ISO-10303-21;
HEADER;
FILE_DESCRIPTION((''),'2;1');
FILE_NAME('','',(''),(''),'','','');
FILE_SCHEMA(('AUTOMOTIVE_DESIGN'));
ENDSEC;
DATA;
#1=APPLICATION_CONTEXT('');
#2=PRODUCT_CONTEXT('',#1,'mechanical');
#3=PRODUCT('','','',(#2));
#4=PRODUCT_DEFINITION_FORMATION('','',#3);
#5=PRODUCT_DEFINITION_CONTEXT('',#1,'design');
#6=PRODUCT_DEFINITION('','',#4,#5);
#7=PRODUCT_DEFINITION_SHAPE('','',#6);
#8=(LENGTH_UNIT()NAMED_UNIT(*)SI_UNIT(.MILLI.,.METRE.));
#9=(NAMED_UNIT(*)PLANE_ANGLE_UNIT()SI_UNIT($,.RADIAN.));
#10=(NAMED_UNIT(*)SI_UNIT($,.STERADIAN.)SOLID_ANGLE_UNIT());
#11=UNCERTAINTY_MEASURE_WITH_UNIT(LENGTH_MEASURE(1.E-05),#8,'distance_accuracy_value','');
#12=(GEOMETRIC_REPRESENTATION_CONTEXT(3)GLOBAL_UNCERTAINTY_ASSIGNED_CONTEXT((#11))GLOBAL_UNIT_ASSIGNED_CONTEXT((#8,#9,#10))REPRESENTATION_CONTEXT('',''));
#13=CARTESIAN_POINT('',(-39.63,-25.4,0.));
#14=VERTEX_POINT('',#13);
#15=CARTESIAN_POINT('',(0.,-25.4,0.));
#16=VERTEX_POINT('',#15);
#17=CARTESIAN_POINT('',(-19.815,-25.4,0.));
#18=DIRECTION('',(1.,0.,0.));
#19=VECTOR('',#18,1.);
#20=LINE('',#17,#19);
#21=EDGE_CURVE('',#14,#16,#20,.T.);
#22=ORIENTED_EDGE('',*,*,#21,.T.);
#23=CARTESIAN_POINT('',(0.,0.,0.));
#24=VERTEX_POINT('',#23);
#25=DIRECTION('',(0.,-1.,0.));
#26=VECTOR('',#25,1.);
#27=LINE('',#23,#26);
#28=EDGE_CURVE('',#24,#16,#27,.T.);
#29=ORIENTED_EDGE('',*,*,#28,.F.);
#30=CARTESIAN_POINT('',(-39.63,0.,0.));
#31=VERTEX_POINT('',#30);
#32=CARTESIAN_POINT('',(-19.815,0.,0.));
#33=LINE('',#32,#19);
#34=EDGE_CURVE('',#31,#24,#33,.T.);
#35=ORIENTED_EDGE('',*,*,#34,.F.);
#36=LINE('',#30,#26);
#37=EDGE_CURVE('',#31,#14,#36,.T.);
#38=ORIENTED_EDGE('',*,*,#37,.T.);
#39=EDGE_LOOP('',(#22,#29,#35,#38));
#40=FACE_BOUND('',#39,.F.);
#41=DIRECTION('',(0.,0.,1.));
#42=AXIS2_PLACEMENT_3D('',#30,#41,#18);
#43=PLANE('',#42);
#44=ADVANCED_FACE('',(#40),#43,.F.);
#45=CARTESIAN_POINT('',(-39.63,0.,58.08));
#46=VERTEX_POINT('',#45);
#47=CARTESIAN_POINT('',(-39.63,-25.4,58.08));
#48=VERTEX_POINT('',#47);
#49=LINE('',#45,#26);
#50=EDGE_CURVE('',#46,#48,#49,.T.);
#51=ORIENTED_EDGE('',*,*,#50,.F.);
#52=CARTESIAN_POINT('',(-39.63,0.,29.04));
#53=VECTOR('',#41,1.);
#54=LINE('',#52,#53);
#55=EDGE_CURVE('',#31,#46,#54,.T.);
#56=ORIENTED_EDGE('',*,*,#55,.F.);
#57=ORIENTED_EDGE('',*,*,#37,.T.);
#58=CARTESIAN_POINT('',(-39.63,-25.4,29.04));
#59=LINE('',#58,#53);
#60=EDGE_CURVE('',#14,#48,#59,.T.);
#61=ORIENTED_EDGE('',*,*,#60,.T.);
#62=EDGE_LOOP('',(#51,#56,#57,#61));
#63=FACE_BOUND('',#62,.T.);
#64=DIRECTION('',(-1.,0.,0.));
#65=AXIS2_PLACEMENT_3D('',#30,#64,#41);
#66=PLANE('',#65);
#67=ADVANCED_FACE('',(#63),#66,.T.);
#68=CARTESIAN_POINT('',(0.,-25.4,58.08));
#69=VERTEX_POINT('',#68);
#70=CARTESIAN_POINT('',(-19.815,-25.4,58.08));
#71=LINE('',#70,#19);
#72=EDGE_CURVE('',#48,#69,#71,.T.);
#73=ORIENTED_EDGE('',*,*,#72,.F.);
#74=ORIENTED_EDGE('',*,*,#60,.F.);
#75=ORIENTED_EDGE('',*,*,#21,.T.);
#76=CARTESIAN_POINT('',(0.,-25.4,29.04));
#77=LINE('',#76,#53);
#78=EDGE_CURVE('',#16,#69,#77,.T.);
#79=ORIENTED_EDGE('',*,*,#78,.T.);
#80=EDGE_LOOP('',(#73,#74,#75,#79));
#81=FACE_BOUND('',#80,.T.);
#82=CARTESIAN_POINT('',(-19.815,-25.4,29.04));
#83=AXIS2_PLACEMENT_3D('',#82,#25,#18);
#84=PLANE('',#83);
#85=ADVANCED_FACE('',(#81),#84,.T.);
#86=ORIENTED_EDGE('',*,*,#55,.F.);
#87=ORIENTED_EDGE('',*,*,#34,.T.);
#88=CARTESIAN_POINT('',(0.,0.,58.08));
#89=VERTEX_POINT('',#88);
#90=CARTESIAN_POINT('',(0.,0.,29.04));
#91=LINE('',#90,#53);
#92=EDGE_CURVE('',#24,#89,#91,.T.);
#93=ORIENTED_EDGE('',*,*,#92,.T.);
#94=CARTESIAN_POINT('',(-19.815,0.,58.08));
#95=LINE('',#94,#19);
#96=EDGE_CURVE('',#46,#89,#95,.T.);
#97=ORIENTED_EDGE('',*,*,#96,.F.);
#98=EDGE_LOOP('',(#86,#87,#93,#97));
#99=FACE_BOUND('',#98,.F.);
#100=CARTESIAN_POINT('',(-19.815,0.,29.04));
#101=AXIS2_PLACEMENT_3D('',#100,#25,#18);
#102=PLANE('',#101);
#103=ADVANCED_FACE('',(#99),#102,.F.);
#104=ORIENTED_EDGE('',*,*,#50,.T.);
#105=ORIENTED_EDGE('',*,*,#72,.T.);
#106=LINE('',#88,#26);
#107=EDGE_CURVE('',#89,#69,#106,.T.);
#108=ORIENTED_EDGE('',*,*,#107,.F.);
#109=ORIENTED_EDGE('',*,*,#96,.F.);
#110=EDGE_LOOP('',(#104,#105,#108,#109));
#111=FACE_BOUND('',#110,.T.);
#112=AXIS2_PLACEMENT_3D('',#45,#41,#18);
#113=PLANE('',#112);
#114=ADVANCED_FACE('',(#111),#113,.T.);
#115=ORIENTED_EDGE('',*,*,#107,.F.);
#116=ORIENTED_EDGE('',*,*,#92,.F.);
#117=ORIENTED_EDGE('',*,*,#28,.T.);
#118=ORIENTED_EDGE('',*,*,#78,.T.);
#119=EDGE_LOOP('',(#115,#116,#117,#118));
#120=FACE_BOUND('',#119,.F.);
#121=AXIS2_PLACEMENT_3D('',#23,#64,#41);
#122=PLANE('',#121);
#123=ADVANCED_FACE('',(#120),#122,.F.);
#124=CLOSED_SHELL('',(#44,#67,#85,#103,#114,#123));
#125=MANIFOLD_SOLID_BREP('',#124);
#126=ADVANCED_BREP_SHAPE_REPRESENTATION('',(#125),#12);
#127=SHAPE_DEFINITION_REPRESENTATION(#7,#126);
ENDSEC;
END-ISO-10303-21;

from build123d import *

# Parameters (mm, degrees)
F0_W     = 39.63
F0_H     = 58.08
F1_DEPTH = 25.4
F0_W_2   = 18.75
F0_H_2   = 48.9571709186


with BuildPart() as f1:
    # F0 (on Front) → F1 (new body)
    with BuildSketch(Plane.XZ):
        with Locations((-19.815, 29.04)):
            Rectangle(F0_W, F0_H)
    extrude(amount=F1_DEPTH)


with BuildPart() as f1b:
    # F0 (on Front) → F1, piece 2 (new body)
    with BuildSketch(Plane.XZ):
        with Locations((53.4364521503, -45.8798622712)):
            Rectangle(F0_W_2, F0_H_2)
    extrude(amount=F1_DEPTH)


solid = f1.part
